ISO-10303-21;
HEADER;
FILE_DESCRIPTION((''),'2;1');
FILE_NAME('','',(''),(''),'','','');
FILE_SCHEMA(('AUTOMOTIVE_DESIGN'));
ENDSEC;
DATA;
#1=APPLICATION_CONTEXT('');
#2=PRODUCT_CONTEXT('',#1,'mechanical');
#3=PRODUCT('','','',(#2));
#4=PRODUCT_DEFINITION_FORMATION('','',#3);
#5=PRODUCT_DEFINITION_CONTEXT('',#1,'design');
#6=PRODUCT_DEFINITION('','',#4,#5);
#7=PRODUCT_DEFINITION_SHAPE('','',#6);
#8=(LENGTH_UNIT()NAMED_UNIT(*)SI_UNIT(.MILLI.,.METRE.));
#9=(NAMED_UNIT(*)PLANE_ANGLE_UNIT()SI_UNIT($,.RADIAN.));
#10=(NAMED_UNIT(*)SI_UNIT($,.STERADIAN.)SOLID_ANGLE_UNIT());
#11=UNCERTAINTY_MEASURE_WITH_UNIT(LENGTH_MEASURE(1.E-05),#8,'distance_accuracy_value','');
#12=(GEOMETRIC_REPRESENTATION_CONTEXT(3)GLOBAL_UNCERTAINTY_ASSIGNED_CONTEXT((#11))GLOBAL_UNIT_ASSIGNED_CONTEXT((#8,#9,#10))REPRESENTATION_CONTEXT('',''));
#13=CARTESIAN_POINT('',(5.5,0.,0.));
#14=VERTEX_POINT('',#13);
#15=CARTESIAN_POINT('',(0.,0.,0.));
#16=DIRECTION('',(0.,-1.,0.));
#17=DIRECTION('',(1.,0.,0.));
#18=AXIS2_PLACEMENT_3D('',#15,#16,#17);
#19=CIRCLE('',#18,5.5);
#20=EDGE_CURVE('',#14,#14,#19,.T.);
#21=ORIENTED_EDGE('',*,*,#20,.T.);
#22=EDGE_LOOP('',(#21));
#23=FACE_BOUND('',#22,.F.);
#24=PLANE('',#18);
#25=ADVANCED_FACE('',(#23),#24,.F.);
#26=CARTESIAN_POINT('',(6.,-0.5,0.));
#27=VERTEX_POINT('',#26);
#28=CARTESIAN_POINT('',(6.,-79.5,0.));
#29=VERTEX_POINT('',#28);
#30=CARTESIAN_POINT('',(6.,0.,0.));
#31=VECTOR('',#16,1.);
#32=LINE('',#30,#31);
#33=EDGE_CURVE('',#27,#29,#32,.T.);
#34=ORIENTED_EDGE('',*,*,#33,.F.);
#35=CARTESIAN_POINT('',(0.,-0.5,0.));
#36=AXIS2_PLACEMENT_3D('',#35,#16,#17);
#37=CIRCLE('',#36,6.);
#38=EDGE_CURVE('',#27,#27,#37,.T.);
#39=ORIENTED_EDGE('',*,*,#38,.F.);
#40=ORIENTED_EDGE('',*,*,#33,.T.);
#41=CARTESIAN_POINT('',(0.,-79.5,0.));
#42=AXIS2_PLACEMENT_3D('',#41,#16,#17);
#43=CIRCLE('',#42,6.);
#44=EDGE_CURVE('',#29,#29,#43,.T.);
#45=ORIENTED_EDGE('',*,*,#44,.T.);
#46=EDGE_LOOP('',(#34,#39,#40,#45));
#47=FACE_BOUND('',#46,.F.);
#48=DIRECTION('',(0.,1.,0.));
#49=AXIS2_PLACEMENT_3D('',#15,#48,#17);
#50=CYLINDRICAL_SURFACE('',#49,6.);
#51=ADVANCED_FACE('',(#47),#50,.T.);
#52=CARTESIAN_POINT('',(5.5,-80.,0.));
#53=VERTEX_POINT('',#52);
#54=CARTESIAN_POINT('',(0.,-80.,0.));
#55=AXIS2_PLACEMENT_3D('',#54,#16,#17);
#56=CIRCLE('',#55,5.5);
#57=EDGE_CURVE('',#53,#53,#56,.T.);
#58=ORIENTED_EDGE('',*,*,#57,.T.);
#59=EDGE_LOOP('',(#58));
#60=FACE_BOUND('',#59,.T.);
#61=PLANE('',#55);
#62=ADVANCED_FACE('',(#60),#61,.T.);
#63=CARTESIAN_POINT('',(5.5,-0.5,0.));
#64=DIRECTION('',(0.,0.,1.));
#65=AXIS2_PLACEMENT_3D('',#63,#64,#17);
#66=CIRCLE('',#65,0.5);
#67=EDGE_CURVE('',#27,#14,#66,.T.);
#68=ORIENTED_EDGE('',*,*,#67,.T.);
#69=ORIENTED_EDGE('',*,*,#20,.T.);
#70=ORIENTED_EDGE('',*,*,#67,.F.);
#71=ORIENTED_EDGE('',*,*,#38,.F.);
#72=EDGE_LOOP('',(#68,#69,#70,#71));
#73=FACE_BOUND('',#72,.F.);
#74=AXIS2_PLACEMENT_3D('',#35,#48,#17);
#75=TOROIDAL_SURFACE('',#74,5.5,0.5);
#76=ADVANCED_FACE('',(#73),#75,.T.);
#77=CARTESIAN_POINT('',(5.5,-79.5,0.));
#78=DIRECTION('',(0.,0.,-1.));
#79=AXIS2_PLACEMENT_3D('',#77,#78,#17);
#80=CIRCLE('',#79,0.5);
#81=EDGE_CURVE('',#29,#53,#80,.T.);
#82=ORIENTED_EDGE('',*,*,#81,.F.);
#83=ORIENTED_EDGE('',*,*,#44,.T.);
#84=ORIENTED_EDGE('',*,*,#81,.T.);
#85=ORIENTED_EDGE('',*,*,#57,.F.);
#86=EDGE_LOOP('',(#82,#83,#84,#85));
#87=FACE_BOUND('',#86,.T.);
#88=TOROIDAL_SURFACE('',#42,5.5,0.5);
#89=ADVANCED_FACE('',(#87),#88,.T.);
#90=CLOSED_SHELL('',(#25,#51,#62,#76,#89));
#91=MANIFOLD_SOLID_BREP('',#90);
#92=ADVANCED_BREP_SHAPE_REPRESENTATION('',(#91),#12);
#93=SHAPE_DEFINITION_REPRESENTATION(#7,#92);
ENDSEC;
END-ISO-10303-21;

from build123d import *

# Parameters (mm, degrees)
F0_R     = 6
F1_DEPTH = 80
F2_R     = 0.5


with BuildPart() as f1:
    # F0 (on Front) → F1 (new body)
    with BuildSketch(Plane.XZ):
        Circle(F0_R)
    extrude(amount=F1_DEPTH)

    # F2
    f2_edges = [f1.edges().sort_by_distance(p)[0] for p in [
        (-6, -80, 0),
        (-6, 0, 0),
    ]]
    fillet(f2_edges, radius=F2_R)


solid = f1.part
